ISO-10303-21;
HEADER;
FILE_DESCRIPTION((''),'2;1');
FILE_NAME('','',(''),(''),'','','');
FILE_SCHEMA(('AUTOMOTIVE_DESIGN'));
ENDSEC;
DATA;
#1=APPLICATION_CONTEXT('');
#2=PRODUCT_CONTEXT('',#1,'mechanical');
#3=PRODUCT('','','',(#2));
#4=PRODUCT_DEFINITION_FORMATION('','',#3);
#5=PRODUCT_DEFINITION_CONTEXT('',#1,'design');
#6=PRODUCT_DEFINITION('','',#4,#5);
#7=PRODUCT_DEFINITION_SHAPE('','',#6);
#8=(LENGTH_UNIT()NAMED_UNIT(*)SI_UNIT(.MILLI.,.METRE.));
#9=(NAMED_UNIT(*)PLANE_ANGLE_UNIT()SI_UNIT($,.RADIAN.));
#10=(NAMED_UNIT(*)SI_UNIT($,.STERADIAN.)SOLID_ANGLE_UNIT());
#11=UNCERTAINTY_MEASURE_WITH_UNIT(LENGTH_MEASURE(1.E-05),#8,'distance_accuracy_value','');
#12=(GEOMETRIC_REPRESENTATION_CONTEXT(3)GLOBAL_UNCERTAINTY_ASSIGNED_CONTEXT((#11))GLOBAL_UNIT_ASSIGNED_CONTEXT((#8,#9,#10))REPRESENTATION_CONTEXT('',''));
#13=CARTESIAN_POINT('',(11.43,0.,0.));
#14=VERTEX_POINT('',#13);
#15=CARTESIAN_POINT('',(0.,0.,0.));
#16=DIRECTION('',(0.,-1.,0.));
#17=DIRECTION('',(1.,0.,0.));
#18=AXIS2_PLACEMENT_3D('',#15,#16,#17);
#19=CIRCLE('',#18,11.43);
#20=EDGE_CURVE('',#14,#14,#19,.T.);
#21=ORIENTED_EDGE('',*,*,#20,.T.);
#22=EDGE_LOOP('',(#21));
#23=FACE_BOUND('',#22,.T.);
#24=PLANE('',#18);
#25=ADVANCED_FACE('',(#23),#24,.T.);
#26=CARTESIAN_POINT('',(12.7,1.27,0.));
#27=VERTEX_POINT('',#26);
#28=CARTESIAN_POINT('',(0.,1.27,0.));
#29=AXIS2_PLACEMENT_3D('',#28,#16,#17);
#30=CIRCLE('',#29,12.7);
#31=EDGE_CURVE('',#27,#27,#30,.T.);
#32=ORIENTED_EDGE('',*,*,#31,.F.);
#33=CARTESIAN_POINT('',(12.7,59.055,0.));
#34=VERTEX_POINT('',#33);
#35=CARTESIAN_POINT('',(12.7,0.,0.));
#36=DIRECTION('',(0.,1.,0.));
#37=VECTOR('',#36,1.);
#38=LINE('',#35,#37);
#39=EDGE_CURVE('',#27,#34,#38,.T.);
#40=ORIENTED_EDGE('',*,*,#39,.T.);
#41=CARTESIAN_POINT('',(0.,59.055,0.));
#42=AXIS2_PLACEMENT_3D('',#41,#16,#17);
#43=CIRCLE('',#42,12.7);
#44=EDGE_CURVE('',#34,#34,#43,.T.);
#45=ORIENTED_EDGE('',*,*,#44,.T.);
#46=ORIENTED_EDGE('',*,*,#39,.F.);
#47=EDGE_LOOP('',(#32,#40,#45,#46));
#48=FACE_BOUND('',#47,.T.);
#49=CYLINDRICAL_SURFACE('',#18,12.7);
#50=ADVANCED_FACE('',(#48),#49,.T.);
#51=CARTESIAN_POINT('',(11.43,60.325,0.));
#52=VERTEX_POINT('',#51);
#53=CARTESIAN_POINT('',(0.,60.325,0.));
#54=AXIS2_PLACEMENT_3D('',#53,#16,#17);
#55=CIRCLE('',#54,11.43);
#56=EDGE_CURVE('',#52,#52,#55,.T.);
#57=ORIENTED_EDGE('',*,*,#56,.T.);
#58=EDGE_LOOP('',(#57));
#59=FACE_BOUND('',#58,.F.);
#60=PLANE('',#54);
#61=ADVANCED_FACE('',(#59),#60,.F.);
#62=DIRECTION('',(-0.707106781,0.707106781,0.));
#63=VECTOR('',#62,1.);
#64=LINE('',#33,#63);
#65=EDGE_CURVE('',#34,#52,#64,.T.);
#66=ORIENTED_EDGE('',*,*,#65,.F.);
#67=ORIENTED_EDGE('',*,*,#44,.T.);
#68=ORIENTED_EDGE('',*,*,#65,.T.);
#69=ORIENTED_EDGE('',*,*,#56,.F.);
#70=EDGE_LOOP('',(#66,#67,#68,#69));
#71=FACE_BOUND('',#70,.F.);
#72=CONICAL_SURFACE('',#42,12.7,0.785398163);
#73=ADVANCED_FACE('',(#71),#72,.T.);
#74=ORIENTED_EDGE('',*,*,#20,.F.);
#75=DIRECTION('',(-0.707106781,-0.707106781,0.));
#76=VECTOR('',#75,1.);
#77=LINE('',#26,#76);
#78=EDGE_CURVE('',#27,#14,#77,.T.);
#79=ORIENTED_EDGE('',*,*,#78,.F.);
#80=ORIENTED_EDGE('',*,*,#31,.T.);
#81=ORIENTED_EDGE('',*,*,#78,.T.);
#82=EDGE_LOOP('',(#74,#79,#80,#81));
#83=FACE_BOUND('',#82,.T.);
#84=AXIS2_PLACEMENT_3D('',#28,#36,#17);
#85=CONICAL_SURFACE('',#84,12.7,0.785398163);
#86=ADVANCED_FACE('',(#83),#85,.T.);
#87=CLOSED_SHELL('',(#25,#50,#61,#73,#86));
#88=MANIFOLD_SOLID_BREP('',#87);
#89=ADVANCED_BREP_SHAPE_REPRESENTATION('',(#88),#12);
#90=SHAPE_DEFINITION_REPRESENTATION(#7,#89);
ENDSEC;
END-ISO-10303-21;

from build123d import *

# Parameters (mm, degrees)
F0_R     = 12.7
F1_DEPTH = 60.325
F2_SIZE2 = 1.27
F2_SIZE  = 1.27


with BuildPart() as f1:
    # F0 (on Front) → F1 (new body)
    with BuildSketch(Plane.XZ):
        Circle(F0_R)
    extrude(amount=-F1_DEPTH)

    # F2
    f2_edges = [f1.edges().sort_by_distance(p)[0] for p in [
        (-12.7, 0, 0),
        (-12.7, 60.325, 0),
    ]]
    chamfer(f2_edges, length=F2_SIZE, length2=F2_SIZE2)


solid = f1.part
